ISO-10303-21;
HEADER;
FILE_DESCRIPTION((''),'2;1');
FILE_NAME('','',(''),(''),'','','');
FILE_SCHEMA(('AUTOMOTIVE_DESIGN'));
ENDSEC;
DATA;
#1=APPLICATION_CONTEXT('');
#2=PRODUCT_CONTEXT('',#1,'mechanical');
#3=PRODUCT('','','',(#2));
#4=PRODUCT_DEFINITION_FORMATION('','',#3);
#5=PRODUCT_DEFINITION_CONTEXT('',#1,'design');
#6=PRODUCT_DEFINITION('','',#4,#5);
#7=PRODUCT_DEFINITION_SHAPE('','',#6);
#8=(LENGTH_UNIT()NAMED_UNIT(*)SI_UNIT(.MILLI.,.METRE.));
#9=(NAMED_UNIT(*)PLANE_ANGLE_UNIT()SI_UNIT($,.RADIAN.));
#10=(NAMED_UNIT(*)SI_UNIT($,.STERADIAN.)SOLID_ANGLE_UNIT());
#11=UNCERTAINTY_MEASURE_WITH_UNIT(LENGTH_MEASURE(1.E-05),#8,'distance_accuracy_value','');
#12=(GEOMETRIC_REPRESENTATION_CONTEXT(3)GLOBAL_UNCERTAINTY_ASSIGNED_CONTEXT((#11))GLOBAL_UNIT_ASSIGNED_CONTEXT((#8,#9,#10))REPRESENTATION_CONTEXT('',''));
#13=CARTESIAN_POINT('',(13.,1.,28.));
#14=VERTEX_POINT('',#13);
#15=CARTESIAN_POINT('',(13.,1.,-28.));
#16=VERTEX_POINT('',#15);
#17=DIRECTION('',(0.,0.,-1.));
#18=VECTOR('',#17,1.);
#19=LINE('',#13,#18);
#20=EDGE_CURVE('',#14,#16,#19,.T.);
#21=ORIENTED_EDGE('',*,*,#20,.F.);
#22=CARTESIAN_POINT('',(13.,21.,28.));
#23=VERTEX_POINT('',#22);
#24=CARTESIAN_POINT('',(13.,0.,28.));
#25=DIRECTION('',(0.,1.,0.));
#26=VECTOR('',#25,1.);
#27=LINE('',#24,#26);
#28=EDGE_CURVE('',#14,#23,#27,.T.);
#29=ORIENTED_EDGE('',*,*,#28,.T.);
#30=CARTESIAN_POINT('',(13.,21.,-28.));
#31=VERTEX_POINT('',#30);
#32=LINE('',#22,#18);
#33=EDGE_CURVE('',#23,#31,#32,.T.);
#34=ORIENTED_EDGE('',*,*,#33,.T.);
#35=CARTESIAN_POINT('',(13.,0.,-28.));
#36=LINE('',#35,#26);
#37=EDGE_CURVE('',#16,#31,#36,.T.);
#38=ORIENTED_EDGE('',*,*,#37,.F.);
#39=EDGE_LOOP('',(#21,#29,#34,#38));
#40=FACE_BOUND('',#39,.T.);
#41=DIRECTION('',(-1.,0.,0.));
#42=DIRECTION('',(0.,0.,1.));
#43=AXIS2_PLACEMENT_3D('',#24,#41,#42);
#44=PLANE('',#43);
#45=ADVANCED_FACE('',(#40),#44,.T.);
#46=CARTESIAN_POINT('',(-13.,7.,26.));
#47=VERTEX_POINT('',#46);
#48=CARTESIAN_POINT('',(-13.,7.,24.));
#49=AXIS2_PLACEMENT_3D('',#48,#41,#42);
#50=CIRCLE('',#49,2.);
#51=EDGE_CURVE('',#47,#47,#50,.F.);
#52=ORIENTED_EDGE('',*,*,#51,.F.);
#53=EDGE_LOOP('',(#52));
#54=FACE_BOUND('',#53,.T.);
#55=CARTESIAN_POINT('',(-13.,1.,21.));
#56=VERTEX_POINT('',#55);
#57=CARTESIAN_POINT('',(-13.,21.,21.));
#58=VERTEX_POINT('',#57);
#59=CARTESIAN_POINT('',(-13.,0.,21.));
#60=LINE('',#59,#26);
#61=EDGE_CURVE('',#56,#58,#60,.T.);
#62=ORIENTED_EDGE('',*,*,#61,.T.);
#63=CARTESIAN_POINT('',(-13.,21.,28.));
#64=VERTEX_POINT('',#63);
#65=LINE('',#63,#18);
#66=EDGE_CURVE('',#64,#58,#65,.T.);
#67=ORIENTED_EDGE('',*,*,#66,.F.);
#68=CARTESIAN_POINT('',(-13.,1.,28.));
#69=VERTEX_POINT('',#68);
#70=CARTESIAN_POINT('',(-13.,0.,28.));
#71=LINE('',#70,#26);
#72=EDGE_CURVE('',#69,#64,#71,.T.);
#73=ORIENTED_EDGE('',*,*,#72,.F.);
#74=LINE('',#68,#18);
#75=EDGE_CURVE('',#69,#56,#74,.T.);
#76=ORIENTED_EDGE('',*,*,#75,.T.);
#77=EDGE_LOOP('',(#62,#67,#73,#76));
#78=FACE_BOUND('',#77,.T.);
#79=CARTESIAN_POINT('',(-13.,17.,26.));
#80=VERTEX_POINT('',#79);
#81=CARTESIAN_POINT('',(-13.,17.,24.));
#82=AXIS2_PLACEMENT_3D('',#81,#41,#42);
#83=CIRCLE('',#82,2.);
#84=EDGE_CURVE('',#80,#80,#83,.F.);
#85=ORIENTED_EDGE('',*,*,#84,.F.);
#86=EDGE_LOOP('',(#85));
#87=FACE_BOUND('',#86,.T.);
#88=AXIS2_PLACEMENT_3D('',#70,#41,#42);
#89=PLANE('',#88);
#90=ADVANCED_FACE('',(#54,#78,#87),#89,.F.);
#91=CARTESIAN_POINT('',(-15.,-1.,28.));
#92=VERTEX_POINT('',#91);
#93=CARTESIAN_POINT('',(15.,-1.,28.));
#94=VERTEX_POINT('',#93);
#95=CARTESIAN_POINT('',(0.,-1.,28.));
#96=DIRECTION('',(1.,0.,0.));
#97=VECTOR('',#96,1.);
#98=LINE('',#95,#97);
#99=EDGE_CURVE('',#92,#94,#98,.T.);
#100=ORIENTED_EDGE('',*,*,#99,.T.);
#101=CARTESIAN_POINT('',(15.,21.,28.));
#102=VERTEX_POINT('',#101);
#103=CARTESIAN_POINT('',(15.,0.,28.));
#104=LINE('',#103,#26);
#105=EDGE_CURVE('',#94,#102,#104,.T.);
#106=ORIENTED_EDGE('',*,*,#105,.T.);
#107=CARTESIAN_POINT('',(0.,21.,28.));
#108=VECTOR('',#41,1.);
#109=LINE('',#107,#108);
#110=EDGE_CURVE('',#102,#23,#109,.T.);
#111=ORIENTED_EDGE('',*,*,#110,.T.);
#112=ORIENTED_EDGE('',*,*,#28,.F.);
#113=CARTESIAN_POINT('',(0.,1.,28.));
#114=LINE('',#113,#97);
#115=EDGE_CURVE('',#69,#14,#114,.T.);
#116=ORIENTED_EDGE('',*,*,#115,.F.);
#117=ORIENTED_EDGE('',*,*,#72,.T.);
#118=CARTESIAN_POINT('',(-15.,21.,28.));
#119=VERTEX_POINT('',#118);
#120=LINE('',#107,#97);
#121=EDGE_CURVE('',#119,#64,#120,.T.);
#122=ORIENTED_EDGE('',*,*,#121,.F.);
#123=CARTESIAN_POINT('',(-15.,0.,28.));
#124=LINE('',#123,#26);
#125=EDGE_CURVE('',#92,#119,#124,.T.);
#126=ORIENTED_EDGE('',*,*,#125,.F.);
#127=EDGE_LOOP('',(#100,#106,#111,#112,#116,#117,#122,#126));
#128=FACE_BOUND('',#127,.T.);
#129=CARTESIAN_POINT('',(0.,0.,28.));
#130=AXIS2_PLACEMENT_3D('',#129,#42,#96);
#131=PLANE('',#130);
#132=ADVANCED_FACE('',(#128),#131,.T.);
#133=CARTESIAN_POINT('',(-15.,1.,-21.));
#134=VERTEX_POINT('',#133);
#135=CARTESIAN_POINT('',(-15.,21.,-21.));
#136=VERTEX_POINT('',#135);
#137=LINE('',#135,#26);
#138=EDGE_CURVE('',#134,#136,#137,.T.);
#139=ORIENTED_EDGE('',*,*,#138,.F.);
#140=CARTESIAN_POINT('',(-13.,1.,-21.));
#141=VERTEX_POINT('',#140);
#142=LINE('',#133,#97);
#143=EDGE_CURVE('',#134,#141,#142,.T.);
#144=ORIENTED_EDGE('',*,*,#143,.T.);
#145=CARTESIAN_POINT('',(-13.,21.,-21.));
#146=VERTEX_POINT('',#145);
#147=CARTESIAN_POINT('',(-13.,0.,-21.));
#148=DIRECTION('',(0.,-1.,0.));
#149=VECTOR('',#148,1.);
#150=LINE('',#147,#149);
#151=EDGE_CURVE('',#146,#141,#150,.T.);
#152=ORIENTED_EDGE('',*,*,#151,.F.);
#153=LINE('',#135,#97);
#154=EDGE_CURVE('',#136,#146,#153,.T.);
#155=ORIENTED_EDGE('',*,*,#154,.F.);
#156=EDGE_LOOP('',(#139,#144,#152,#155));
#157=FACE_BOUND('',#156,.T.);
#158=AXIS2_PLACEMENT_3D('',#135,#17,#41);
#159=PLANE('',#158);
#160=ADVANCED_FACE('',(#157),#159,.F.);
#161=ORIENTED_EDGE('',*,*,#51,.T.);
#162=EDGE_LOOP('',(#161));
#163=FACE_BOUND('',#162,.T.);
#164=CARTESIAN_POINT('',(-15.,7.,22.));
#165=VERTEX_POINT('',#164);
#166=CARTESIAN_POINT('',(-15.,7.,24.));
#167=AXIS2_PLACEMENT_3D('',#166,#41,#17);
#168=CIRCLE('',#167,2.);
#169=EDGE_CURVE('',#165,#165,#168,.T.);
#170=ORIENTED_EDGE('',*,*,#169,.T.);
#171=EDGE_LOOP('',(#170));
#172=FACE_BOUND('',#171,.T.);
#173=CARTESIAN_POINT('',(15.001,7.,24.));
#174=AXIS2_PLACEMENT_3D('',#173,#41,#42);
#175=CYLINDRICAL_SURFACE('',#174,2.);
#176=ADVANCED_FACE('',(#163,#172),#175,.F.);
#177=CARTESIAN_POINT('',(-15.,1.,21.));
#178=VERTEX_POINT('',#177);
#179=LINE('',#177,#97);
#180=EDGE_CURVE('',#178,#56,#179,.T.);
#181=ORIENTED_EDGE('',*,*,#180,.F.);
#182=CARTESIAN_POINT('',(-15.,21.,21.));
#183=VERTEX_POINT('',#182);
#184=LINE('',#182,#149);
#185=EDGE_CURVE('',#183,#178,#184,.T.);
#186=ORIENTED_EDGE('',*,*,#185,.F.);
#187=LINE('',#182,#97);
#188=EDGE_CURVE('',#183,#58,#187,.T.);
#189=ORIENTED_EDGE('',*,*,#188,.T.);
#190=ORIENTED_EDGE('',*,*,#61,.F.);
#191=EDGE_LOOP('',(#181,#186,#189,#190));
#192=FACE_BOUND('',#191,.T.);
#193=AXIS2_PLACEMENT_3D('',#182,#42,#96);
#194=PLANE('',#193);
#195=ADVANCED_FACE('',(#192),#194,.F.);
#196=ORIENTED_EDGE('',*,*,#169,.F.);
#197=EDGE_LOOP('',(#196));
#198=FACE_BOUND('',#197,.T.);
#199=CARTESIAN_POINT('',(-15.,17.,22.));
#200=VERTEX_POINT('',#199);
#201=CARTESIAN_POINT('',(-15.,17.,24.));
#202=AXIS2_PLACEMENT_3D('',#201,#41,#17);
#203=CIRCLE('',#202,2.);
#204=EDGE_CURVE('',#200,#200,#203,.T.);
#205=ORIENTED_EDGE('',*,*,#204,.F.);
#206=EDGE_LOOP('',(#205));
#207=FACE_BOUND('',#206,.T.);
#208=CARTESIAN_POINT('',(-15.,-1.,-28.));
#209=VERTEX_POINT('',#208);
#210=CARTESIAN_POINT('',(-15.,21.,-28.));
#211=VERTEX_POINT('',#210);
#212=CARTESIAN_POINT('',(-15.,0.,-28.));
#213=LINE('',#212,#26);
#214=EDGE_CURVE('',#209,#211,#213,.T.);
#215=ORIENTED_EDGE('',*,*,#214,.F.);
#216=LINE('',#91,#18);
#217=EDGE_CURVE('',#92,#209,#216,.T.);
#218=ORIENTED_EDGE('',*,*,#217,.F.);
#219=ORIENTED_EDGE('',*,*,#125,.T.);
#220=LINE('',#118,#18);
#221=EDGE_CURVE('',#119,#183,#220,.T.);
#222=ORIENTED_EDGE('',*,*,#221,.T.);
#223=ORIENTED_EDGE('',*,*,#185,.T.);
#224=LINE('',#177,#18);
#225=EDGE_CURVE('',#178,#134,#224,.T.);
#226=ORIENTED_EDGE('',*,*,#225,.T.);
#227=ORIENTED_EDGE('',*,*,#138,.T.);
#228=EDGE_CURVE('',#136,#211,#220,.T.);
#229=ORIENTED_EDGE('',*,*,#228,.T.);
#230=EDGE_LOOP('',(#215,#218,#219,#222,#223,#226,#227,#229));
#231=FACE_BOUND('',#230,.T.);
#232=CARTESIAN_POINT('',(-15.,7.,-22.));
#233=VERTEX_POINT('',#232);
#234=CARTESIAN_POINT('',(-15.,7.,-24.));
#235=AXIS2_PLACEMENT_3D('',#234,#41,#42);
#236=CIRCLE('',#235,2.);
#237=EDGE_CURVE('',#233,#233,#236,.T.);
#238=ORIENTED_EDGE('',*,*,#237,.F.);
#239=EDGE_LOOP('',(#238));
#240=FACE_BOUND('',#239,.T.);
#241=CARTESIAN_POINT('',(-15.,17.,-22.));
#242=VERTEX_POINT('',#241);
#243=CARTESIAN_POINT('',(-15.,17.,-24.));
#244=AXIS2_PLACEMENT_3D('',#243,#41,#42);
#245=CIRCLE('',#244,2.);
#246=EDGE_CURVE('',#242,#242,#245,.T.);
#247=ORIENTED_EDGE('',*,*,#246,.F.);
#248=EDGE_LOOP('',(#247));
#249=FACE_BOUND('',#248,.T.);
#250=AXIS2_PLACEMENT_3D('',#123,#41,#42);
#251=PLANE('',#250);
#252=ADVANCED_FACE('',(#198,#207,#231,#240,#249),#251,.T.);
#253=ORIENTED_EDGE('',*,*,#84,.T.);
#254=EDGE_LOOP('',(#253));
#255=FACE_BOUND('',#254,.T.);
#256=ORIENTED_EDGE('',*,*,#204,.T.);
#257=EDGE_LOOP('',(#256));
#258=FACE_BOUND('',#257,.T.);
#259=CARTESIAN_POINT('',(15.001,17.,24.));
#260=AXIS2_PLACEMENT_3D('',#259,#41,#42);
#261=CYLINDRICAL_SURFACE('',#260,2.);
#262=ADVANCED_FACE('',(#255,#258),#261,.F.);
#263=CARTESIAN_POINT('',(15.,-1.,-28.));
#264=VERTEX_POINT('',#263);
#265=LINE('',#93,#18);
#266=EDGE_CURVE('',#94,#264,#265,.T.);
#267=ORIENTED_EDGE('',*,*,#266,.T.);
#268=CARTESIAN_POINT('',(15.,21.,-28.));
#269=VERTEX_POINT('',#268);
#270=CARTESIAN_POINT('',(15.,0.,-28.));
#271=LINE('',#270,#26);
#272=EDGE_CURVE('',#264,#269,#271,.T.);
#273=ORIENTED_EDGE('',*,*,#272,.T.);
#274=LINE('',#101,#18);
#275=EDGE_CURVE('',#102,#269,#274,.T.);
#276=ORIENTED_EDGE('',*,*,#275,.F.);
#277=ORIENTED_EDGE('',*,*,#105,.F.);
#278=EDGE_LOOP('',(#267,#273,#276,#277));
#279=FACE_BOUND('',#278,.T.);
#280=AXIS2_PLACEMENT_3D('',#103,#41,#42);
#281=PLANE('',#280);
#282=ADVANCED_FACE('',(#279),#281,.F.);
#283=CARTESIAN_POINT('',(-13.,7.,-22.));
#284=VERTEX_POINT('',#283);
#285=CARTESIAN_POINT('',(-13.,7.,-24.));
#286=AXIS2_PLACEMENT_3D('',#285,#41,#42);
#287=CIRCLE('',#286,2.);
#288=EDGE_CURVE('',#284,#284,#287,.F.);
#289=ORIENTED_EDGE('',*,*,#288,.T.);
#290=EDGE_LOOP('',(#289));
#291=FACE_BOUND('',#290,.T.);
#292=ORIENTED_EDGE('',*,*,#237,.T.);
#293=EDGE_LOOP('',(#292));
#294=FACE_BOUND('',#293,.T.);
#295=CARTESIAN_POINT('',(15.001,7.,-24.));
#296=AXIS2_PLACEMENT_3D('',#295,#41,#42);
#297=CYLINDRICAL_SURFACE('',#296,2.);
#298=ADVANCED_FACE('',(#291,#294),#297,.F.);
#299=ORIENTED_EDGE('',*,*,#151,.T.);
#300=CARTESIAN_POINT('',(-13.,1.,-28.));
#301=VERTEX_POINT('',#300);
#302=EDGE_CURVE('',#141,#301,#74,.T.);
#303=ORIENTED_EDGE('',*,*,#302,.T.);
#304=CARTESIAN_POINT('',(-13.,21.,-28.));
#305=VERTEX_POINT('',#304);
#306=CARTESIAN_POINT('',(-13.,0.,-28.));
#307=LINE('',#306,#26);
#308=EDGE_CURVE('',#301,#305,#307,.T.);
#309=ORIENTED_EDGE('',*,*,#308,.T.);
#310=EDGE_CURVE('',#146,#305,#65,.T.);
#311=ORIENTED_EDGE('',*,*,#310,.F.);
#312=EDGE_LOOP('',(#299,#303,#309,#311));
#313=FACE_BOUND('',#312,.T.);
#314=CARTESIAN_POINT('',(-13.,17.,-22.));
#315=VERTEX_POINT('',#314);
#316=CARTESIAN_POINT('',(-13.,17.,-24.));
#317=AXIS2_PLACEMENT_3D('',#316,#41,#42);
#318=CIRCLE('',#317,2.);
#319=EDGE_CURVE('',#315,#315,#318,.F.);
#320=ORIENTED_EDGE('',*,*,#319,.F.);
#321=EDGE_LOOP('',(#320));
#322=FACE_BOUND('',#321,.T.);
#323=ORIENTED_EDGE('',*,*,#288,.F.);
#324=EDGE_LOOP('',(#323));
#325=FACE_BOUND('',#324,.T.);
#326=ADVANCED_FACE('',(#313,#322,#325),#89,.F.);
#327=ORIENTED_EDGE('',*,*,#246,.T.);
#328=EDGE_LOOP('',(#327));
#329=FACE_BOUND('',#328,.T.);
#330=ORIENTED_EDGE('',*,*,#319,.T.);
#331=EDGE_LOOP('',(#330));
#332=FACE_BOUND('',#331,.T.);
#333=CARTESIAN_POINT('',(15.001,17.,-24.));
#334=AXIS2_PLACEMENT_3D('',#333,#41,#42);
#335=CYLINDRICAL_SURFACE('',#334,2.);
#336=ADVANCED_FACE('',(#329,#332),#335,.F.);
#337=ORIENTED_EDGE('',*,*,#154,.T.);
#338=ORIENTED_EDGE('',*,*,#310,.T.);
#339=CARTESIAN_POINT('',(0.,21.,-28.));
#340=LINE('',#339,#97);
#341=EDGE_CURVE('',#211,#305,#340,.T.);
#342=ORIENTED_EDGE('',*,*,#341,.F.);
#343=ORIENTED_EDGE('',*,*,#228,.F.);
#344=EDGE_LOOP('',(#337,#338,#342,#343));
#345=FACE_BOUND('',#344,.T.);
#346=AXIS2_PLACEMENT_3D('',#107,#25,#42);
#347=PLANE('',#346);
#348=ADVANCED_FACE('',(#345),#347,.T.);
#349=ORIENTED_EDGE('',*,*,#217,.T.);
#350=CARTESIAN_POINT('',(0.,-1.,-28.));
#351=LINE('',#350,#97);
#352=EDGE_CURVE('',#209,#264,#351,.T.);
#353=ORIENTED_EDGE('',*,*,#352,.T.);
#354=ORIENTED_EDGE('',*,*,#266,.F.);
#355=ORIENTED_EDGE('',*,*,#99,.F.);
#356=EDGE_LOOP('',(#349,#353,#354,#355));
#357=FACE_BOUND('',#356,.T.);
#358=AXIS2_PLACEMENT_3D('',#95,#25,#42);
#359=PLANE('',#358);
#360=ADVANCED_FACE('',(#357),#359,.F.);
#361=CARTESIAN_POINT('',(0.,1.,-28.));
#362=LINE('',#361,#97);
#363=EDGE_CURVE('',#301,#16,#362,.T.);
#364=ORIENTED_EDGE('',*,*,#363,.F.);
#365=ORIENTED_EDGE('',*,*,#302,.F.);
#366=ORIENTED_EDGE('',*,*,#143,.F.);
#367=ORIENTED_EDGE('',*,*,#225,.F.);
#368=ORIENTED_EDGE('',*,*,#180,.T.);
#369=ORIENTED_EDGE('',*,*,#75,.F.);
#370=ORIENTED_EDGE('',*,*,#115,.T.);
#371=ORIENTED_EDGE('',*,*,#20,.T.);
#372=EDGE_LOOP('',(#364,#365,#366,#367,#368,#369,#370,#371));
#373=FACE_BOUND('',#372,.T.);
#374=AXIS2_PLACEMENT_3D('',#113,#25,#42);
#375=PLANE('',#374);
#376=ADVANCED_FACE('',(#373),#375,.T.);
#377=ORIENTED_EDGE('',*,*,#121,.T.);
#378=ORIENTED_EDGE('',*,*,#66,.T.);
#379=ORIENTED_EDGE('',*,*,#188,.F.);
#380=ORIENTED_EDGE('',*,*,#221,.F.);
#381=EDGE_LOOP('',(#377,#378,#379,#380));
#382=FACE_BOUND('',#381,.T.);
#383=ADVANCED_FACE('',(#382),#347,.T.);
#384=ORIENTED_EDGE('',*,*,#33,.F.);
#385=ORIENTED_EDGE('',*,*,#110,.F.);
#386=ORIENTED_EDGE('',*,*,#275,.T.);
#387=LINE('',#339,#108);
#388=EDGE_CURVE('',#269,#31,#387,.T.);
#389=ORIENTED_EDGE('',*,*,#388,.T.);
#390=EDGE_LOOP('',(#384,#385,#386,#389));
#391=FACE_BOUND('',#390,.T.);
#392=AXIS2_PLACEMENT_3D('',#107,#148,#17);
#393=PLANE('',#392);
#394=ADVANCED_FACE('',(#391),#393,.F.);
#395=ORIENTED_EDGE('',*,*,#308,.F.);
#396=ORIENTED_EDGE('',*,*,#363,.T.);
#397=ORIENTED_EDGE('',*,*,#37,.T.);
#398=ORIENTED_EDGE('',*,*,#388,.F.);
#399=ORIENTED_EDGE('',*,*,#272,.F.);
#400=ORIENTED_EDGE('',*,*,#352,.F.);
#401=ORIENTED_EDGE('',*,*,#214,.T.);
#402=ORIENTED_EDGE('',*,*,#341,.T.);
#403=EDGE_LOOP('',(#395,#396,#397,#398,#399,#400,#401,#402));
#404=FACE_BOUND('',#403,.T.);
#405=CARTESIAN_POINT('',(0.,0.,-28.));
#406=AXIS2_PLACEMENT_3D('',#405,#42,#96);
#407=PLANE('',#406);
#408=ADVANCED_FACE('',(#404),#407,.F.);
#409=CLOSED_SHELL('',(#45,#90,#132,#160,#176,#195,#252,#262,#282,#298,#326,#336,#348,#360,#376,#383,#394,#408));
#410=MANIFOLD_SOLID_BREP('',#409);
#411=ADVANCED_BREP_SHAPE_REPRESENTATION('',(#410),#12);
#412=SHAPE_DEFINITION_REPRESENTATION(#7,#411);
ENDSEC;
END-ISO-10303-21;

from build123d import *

# Parameters (mm, degrees)
SKETCH_1_W          = 2
SKETCH_1_H          = 20
SKETCH_1_W_2        = 30
SKETCH_1_H_2        = 2
EXTRUDE_1_DEPTH     = 28
SKETCH_2_W          = 42
SKETCH_2_H          = 20
CUT_EXTRUDE_1_DEPTH = 39.078865529
CUT_EXTRUDE_3_REACH = 48.098
SKETCH_3_R          = 2


with BuildPart() as part:
    # 草图1 → 凸台-拉伸1 (new, symmetric)
    with BuildSketch(Plane.XY):
        with Locations((-14, 11)):
            Rectangle(SKETCH_1_W, SKETCH_1_H)
        Rectangle(SKETCH_1_W_2, SKETCH_1_H_2)
        with Locations((14, 11)):
            Rectangle(SKETCH_1_W, SKETCH_1_H)
    extrude(amount=EXTRUDE_1_DEPTH, both=True)

    # 草图2 → 切除-拉伸1 (cut, through all)
    with BuildSketch(Plane(origin=(0, 0, 0), x_dir=(0, 0, -1), z_dir=(1, 0, 0))):
        with Locations((0, 11)):
            Rectangle(SKETCH_2_W, SKETCH_2_H)
    extrude(amount=-CUT_EXTRUDE_1_DEPTH, mode=Mode.SUBTRACT)

    # 草图3 → 切除-拉伸3 (cut, up to next)
    with BuildSketch(Plane.ZY.offset(15), mode=Mode.PRIVATE) as cut_extrude_3_sk1:
        with Locations((-24, 17)):
            Circle(SKETCH_3_R)
    cut_extrude_3_tool1 = extrude(cut_extrude_3_sk1.sketch, amount=-CUT_EXTRUDE_3_REACH, mode=Mode.PRIVATE) & part.part
    # 草图3 → 切除-拉伸3 (cut, up to next)
    with BuildSketch(Plane.ZY.offset(15), mode=Mode.PRIVATE) as cut_extrude_3_sk2:
        with Locations((-24, 7)):
            Circle(SKETCH_3_R)
    cut_extrude_3_tool2 = extrude(cut_extrude_3_sk2.sketch, amount=-CUT_EXTRUDE_3_REACH, mode=Mode.PRIVATE) & part.part
    # 草图3 → 切除-拉伸3 (cut, up to next)
    with BuildSketch(Plane.ZY.offset(15), mode=Mode.PRIVATE) as cut_extrude_3_sk3:
        with Locations((24, 7)):
            Circle(SKETCH_3_R)
    cut_extrude_3_tool3 = extrude(cut_extrude_3_sk3.sketch, amount=-CUT_EXTRUDE_3_REACH, mode=Mode.PRIVATE) & part.part
    # 草图3 → 切除-拉伸3 (cut, up to next)
    with BuildSketch(Plane.ZY.offset(15), mode=Mode.PRIVATE) as cut_extrude_3_sk4:
        with Locations((24, 17)):
            Circle(SKETCH_3_R)
    cut_extrude_3_tool4 = extrude(cut_extrude_3_sk4.sketch, amount=-CUT_EXTRUDE_3_REACH, mode=Mode.PRIVATE) & part.part
    add(cut_extrude_3_tool1.solids().sort_by_distance((-15, 17, -24))[0], mode=Mode.SUBTRACT)
    add(cut_extrude_3_tool2.solids().sort_by_distance((-15, 7, -24))[0], mode=Mode.SUBTRACT)
    add(cut_extrude_3_tool3.solids().sort_by_distance((-15, 7, 24))[0], mode=Mode.SUBTRACT)
    add(cut_extrude_3_tool4.solids().sort_by_distance((-15, 17, 24))[0], mode=Mode.SUBTRACT)


solid = part.part
